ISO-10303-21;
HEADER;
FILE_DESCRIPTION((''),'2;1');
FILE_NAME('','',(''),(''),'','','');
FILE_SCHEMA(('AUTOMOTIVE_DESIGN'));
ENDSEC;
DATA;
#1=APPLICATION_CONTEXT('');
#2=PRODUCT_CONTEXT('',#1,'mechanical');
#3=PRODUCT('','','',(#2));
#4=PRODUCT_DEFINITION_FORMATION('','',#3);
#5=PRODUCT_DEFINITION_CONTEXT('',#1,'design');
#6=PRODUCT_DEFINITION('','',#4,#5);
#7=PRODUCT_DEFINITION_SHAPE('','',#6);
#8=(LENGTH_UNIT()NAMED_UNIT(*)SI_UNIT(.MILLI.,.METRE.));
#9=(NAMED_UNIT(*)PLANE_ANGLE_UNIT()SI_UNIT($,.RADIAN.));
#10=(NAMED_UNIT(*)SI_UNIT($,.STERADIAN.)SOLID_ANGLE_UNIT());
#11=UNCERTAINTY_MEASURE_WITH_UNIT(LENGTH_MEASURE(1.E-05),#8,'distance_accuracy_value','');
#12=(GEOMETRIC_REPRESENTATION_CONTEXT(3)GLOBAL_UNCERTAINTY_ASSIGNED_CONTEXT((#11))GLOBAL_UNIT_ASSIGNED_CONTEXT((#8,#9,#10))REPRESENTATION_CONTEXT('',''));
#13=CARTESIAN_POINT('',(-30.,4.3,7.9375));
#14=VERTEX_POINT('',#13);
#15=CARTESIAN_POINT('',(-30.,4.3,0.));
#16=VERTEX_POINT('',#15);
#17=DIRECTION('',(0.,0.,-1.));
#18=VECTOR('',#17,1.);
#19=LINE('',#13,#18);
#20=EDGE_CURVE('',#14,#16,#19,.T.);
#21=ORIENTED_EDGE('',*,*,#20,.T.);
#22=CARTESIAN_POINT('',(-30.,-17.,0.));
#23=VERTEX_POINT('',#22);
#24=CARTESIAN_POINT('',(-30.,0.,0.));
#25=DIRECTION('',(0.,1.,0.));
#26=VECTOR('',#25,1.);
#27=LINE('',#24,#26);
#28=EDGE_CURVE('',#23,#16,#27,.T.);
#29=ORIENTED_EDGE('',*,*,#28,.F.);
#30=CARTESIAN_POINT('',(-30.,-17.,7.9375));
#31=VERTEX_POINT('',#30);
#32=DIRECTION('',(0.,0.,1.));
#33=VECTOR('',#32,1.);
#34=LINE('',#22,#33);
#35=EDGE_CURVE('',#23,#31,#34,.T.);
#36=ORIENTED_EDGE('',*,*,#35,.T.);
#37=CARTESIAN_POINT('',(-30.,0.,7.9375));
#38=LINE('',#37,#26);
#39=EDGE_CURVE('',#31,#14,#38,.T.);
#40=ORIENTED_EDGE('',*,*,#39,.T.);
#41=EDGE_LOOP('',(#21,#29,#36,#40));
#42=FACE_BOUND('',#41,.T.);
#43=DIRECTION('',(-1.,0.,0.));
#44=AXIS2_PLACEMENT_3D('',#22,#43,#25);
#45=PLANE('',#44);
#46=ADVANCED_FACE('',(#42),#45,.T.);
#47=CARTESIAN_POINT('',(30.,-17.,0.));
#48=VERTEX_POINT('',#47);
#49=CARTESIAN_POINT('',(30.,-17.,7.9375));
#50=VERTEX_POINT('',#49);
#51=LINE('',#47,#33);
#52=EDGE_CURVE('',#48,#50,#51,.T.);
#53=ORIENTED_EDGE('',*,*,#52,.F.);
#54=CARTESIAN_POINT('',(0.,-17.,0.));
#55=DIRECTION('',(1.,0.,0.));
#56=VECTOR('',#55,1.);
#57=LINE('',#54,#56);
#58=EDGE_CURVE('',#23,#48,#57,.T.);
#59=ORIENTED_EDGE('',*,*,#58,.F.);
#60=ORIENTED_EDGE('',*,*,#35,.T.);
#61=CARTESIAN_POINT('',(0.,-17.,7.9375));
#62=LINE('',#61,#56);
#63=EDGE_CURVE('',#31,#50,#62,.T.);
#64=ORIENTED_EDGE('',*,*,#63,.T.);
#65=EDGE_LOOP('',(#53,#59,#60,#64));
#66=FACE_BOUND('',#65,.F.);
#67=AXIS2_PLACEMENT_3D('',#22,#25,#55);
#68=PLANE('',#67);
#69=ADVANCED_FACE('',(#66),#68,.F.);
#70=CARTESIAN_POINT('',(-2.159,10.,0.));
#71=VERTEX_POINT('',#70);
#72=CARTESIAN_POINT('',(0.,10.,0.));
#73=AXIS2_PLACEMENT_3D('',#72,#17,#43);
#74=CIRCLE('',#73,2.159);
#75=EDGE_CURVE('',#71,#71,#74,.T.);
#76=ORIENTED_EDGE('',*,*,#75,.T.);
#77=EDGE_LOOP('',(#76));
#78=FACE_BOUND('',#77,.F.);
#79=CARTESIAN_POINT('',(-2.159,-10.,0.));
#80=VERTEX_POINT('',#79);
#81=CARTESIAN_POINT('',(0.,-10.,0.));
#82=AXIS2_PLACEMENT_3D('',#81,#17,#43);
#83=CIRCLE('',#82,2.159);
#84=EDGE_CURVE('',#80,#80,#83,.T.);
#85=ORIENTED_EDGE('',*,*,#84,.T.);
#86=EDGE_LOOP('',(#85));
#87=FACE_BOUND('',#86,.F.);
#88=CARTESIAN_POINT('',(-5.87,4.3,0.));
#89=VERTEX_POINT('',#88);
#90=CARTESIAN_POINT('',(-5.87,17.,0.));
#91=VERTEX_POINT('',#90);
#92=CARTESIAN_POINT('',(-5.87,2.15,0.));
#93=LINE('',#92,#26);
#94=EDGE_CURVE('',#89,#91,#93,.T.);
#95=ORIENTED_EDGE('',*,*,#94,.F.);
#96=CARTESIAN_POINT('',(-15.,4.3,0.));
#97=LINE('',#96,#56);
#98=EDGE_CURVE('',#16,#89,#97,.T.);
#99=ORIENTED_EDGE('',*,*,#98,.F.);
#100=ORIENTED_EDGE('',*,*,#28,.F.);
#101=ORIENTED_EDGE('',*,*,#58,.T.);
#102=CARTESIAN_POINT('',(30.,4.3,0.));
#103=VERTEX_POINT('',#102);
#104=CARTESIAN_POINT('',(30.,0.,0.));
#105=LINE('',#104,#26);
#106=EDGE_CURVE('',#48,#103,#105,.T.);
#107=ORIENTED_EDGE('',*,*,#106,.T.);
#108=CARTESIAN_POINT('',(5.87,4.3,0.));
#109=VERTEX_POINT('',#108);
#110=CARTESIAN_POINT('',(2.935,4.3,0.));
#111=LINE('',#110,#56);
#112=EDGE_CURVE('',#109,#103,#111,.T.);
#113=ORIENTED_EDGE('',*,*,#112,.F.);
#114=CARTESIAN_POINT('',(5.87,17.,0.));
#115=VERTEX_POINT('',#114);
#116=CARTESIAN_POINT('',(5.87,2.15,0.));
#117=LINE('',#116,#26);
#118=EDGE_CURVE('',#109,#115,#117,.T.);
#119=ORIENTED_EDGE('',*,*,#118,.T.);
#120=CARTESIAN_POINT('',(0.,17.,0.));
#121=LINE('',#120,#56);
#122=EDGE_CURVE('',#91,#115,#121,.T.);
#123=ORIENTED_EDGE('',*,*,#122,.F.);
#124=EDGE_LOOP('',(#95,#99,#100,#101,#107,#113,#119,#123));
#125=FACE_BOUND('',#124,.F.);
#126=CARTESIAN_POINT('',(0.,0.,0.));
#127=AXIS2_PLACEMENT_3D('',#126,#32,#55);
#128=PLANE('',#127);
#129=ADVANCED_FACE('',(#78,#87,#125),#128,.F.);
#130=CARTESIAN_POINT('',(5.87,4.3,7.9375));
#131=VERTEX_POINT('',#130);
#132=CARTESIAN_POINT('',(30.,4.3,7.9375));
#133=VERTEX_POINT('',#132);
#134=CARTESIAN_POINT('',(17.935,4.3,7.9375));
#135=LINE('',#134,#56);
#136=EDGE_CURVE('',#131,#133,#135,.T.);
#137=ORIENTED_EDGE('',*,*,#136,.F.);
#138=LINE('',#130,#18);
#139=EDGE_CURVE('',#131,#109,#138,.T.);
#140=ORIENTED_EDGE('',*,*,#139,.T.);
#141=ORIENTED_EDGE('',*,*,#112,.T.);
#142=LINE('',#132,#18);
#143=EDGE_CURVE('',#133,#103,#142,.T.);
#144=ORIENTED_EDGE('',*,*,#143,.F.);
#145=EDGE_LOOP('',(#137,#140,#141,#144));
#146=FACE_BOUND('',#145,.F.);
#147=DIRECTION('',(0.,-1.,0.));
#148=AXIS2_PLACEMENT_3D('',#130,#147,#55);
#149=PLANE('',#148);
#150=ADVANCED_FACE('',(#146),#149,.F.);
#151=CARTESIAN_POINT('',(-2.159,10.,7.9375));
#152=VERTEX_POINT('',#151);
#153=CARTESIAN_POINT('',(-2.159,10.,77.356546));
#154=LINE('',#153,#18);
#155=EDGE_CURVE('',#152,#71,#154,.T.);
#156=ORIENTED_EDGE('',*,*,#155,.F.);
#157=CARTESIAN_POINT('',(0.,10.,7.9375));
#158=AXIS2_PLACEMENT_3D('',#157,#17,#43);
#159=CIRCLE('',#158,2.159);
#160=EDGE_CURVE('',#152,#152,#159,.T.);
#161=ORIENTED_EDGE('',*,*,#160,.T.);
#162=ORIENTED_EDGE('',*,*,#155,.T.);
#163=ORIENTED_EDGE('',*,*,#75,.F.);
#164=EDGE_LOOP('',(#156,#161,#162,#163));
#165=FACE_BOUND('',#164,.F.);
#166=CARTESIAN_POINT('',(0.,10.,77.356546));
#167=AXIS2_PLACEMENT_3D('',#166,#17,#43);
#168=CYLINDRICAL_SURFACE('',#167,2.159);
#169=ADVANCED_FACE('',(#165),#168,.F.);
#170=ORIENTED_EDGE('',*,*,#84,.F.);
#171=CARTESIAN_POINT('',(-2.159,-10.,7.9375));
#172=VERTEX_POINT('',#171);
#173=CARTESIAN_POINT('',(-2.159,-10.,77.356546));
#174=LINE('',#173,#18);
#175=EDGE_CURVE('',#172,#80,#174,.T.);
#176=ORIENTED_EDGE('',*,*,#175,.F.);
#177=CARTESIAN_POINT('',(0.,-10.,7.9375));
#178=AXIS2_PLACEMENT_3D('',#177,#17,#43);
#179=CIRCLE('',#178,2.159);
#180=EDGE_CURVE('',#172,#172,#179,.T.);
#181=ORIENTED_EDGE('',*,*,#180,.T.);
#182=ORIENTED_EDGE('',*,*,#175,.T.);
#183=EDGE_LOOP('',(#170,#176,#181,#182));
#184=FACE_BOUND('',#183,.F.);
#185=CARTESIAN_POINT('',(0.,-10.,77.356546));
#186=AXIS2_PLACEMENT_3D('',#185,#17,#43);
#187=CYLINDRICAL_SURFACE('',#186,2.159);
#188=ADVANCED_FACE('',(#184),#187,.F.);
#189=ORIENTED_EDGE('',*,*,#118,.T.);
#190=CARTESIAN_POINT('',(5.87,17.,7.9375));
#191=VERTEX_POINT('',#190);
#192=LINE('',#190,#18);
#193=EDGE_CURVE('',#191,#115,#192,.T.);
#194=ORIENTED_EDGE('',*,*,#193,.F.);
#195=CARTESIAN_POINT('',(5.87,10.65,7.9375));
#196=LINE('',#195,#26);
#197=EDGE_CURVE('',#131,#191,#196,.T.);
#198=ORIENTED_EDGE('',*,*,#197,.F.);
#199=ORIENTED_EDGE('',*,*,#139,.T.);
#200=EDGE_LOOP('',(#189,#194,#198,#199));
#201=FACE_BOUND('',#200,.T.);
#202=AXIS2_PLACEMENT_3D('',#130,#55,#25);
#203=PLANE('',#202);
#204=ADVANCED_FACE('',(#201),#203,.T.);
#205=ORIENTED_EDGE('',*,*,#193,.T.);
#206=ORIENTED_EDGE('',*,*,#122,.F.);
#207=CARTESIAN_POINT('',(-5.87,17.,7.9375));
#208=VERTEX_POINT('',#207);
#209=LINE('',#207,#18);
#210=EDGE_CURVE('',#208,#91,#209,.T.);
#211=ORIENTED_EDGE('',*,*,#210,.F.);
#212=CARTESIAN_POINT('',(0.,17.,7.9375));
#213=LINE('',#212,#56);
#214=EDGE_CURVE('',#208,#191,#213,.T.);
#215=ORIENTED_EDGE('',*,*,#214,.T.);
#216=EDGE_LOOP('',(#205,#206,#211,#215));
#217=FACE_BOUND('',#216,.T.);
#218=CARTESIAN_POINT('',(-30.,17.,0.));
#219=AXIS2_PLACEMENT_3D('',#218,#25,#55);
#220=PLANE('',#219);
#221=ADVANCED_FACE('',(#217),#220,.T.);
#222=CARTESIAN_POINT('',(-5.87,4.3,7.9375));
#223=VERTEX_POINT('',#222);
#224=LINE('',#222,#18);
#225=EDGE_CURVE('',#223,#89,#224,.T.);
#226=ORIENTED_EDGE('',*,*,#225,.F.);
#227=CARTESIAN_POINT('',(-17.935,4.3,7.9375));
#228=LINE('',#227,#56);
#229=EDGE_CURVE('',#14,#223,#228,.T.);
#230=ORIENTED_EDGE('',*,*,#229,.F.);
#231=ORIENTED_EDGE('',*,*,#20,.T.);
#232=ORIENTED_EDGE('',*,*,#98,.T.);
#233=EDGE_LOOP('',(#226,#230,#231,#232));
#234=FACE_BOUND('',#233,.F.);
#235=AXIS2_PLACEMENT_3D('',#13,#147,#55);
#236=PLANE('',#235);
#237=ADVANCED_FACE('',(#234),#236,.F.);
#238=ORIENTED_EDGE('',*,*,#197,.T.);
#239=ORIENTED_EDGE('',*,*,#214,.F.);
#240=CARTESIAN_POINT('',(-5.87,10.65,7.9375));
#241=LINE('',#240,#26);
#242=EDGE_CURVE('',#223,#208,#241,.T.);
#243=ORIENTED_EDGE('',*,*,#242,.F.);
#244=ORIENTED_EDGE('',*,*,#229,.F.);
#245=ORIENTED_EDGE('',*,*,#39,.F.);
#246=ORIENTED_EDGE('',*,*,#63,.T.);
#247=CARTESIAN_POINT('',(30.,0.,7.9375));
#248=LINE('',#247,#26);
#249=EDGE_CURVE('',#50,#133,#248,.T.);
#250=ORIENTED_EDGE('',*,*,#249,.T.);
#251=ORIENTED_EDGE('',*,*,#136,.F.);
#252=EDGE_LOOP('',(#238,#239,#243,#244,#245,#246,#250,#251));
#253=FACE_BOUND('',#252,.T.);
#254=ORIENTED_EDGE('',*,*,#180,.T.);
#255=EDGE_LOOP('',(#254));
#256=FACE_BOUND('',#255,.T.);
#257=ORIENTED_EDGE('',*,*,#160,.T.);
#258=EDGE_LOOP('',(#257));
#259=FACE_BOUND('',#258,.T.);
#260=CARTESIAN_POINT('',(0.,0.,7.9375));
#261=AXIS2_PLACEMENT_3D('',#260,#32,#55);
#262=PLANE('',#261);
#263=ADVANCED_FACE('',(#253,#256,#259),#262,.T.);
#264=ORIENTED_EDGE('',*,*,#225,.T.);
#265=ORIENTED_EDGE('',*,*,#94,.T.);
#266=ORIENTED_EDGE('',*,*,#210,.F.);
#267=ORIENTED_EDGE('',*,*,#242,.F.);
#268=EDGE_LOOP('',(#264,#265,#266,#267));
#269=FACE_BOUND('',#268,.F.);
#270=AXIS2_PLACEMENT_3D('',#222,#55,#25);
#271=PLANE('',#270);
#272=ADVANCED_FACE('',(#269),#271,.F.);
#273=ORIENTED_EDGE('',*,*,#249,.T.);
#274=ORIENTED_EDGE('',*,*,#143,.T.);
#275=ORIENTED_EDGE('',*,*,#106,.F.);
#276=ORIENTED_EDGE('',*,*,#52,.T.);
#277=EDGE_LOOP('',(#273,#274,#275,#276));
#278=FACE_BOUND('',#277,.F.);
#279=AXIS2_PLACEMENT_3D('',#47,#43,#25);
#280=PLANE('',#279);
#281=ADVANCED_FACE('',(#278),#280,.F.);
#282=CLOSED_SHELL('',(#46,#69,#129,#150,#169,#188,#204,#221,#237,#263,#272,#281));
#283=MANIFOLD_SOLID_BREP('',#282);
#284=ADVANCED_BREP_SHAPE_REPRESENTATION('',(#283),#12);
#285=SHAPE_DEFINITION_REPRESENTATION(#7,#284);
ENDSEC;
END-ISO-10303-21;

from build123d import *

# Parameters (mm, degrees)
F0_W     = 60
F0_H     = 34
F1_DEPTH = 7.9375
F3_D     = 4.318
F4_W     = 24.13
F4_H     = 12.7
F5_DEPTH = 7.9385


with BuildPart() as f1:
    # F0 (on Top) → F1 (new body)
    with BuildSketch(Plane.XY):
        Rectangle(F0_W, F0_H)
    extrude(amount=F1_DEPTH)

    # F3 (through all)
    with Locations(Plane.XY.offset(7.9375)):
        with Locations((0, 10), (0, -10)):
            Hole(F3_D / 2)

    # F4 (on face) → F5 (cut, through all)
    with BuildSketch(Plane.XY.offset(7.9375)):
        with Locations((-17.935, 10.65)):
            Rectangle(F4_W, F4_H)
        with Locations((17.935, 10.65)):
            Rectangle(F4_W, F4_H)
    extrude(amount=-F5_DEPTH, mode=Mode.SUBTRACT)


solid = f1.part
